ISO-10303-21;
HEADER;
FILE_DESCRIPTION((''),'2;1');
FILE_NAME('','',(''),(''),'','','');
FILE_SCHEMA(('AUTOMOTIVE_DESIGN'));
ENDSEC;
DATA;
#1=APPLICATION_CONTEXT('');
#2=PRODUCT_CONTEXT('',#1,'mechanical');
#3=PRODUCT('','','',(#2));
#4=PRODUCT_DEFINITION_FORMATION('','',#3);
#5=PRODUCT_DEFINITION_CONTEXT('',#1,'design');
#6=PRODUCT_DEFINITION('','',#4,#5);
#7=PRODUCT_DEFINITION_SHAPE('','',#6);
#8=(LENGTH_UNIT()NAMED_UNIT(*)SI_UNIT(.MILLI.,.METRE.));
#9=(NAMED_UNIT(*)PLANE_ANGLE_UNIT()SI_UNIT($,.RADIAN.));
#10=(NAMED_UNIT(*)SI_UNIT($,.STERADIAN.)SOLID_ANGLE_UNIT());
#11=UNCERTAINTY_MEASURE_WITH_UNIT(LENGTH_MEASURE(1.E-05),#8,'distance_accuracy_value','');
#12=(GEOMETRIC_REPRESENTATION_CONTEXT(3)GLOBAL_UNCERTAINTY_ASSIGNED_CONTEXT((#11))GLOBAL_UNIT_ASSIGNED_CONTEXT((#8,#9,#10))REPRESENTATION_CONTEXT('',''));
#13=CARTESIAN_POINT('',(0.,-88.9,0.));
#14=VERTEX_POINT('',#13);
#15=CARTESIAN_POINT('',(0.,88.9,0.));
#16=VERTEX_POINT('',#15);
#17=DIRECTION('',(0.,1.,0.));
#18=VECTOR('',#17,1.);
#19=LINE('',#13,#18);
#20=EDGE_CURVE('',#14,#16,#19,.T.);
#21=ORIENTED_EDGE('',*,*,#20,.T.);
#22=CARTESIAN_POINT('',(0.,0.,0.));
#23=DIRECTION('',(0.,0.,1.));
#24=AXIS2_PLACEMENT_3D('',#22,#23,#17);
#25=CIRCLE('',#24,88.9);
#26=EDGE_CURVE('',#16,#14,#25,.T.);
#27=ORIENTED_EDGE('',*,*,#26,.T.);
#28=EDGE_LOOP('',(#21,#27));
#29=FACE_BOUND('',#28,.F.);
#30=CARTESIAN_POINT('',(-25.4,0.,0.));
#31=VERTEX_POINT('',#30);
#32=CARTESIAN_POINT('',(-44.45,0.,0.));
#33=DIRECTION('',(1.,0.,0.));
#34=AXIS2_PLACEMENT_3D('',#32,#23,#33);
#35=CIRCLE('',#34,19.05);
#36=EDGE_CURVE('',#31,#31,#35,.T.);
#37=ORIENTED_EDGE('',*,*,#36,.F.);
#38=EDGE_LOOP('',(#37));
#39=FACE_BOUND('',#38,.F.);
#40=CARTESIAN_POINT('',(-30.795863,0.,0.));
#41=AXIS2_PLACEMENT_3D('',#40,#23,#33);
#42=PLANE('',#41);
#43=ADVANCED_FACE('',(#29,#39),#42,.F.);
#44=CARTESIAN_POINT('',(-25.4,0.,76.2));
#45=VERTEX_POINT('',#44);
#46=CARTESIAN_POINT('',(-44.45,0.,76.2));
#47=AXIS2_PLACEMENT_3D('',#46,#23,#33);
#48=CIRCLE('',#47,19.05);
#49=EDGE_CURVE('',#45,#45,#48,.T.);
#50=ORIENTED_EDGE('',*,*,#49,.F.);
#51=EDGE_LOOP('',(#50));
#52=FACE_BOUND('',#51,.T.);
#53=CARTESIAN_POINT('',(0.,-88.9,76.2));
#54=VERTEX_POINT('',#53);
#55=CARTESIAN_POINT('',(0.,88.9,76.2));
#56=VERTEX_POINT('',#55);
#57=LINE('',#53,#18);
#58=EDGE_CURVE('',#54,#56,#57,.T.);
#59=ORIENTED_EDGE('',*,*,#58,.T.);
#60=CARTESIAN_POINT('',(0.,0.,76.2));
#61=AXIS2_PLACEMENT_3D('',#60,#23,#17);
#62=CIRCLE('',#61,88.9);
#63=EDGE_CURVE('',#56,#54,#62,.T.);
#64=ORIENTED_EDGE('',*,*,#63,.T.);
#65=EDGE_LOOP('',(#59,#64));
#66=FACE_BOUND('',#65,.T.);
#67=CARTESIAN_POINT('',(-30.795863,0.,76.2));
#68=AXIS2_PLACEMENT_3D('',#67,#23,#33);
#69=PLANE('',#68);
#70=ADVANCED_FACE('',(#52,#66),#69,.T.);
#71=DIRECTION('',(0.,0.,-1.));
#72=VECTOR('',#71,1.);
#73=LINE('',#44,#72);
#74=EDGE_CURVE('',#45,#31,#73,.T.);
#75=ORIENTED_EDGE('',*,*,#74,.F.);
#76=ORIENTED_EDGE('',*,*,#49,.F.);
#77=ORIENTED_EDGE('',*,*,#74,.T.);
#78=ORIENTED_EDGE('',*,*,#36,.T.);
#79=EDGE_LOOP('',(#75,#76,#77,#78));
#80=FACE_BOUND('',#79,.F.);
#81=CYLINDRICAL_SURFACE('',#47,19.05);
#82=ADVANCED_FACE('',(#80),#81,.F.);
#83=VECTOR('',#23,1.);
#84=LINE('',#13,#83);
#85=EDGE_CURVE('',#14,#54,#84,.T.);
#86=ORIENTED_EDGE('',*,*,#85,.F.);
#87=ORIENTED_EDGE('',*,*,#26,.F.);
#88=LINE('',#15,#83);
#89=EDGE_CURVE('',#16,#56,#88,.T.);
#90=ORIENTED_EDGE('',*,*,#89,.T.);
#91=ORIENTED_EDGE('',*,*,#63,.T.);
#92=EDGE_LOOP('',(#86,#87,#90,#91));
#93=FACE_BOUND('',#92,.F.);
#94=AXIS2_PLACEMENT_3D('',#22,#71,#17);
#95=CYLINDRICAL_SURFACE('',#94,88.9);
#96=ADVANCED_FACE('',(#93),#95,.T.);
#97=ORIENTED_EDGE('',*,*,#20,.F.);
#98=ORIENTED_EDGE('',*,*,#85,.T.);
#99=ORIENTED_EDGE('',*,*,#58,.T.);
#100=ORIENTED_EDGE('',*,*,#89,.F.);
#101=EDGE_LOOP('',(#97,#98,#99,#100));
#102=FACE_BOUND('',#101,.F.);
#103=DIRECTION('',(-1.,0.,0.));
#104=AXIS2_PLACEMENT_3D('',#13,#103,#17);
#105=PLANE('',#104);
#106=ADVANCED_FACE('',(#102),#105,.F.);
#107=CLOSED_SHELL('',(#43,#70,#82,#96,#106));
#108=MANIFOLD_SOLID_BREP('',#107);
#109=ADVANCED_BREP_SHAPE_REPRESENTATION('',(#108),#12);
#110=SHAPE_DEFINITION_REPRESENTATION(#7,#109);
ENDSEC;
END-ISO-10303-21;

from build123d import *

# Parameters (mm, degrees)
F1_DEPTH = 76.2
F2_R     = 19.05
F3_DEPTH = 76.2


with BuildPart() as f1:
    # F0 (on Top) → F1 (new body)
    with BuildSketch(Plane.XY):
        with BuildLine():
            Line((0, -88.9), (0, 88.9))
            ThreePointArc((0, 88.9), (-88.9, 0), (0, -88.9))
        make_face()
    extrude(amount=F1_DEPTH)

    # F2 (on face) → F3 (cut)
    with BuildSketch(Plane.XY.offset(76.2)):
        with Locations((-44.45, 0)):
            Circle(F2_R)
    extrude(amount=-F3_DEPTH, mode=Mode.SUBTRACT)


solid = f1.part
